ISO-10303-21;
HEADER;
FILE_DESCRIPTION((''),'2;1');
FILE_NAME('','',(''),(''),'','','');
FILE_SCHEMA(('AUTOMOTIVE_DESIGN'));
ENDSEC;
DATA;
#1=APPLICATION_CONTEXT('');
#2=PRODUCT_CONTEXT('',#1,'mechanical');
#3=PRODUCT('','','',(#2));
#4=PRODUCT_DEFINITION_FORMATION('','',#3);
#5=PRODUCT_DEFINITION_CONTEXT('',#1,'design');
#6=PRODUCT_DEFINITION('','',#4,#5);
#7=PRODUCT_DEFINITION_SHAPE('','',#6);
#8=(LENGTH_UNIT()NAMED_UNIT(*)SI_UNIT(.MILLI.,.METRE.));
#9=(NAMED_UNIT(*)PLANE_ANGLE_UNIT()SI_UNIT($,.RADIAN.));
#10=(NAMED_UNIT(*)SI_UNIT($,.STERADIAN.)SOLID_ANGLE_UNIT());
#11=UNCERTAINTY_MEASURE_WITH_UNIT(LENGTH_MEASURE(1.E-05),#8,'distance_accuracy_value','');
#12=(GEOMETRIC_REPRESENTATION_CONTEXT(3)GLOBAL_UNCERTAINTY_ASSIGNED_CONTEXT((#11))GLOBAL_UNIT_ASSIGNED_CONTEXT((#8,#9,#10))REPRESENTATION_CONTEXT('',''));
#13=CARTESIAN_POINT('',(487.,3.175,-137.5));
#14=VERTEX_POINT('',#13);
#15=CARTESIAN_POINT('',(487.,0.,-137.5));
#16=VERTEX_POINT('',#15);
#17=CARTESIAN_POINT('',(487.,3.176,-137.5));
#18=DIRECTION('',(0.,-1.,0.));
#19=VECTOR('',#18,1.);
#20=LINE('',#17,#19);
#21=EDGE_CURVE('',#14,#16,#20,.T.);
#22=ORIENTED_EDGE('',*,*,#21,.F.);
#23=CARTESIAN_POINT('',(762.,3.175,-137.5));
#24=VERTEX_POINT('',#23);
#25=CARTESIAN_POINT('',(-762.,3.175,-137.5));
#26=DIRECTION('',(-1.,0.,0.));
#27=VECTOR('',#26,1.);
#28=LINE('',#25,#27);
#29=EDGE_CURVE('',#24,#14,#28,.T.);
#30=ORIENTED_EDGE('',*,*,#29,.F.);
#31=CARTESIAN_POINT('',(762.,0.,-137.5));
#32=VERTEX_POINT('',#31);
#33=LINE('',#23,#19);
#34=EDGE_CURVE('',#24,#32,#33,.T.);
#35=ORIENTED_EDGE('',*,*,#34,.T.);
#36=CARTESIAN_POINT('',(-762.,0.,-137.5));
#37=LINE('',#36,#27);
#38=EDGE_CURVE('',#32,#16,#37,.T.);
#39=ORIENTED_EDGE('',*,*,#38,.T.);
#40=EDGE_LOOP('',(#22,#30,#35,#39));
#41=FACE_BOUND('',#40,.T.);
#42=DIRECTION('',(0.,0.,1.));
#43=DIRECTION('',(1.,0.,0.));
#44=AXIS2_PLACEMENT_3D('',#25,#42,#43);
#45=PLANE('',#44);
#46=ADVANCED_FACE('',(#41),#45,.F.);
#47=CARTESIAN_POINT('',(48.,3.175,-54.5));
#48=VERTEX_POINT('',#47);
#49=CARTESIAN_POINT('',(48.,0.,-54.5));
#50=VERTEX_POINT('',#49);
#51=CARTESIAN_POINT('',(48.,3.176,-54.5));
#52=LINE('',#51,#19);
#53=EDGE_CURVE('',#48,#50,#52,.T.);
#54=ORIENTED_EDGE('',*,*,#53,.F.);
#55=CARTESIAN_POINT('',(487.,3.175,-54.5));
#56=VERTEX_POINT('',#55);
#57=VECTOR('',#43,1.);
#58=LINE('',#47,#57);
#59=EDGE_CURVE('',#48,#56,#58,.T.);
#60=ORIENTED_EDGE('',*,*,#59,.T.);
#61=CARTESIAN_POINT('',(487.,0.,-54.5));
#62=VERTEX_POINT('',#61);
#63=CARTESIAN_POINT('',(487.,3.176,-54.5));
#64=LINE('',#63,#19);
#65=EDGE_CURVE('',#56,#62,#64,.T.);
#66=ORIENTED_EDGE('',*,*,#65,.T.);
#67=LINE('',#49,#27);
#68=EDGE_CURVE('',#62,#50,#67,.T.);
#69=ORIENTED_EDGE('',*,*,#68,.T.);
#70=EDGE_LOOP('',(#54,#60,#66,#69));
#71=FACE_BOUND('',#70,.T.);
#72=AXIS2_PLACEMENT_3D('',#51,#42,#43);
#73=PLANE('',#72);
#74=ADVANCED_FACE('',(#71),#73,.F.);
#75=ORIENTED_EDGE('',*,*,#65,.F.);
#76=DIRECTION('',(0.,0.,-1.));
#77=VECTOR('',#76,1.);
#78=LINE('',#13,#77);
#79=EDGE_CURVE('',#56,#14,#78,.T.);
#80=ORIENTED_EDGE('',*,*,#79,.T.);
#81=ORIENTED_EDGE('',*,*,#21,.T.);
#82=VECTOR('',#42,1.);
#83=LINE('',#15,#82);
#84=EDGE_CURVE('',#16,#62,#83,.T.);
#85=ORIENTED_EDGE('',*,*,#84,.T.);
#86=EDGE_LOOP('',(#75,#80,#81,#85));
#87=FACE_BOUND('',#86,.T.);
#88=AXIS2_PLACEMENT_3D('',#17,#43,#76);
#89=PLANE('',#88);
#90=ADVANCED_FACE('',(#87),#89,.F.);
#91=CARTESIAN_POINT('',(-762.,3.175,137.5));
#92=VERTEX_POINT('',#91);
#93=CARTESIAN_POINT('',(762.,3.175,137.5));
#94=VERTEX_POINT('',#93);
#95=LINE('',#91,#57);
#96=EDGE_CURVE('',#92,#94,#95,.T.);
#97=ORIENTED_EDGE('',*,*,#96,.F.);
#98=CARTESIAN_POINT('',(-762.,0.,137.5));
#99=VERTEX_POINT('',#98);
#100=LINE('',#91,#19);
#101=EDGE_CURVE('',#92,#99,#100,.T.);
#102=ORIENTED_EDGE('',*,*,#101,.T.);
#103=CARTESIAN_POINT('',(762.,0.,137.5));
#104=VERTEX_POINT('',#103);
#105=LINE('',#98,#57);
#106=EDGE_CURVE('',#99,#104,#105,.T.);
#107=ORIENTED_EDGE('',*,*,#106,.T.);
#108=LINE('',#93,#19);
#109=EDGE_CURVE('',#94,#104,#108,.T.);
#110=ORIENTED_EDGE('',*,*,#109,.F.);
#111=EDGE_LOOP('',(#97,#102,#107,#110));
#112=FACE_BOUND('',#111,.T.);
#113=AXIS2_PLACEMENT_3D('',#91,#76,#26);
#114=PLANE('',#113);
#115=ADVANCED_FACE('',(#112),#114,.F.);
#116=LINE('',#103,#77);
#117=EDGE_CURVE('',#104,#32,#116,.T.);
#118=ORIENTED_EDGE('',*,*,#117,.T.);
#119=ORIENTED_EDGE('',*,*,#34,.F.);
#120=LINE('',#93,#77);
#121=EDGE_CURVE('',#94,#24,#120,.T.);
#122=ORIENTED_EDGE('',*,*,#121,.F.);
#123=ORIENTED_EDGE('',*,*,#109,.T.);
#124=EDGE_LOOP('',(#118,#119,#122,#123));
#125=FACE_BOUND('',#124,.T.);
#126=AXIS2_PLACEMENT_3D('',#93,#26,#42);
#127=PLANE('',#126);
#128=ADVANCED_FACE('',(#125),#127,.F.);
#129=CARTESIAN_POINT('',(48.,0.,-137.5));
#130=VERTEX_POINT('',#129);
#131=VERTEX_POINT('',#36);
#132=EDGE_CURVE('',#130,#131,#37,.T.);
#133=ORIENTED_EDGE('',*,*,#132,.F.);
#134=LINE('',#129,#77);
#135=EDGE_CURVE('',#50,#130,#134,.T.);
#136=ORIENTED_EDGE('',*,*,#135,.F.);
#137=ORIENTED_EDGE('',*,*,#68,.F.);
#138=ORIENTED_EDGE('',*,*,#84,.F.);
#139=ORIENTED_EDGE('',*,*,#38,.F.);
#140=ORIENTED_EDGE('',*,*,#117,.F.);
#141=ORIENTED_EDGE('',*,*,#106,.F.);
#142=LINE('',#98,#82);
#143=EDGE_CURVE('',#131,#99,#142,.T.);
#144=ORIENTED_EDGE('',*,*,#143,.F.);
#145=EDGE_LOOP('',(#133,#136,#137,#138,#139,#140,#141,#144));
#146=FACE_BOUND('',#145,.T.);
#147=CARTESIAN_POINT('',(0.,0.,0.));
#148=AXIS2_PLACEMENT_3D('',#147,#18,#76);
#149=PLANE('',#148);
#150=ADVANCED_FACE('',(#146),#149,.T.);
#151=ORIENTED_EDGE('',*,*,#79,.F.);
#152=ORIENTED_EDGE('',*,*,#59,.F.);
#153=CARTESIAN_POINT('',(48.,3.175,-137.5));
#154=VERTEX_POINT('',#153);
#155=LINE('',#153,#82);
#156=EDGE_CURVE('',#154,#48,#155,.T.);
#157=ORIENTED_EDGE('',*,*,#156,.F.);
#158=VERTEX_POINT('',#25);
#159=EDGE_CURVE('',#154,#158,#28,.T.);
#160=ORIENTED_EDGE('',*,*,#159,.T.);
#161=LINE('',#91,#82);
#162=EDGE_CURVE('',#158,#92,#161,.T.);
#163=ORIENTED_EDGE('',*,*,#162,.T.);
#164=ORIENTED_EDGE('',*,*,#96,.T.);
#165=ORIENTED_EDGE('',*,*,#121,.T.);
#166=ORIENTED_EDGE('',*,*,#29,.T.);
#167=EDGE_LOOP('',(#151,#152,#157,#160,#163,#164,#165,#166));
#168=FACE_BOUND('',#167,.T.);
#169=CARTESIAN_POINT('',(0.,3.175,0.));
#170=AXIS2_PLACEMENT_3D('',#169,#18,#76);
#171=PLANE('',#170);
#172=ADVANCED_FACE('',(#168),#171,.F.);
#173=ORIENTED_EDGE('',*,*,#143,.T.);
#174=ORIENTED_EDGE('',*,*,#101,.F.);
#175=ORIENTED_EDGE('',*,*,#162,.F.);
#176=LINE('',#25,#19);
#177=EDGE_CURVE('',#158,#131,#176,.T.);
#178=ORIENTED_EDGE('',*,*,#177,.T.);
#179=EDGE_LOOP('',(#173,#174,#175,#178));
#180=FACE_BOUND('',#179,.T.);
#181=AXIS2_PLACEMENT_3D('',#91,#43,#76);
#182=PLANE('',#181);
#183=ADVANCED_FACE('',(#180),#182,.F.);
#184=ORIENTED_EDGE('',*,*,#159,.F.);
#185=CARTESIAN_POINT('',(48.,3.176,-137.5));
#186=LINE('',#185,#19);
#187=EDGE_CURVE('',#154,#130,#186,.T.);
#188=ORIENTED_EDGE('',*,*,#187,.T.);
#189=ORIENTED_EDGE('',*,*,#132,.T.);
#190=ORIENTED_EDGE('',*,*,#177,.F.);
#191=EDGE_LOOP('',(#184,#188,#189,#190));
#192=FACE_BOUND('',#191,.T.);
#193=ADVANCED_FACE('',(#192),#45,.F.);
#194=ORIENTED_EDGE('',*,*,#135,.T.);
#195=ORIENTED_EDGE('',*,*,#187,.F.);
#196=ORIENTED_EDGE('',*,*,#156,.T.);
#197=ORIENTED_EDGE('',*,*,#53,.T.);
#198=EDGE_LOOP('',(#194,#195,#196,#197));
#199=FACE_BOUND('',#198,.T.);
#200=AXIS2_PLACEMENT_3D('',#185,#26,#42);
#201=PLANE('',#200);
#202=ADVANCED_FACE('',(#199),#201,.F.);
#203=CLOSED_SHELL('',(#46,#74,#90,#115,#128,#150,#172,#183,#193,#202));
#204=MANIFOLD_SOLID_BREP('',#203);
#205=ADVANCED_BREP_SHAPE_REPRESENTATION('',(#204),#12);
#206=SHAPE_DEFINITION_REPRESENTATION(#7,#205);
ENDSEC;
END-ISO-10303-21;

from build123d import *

# Parameters (mm, degrees)
SKETCH1_W           = 1524
SKETCH1_H           = 275
BOSS_EXTRUDE1_DEPTH = 3.175
CUT_EXTRUDE1_REACH  = 776.313
SKETCH2_W           = 439
SKETCH2_H           = 83


with BuildPart() as part:
    # Sketch1 → Boss-Extrude1 (new body)
    with BuildSketch(Plane(origin=(0, 0, 0), x_dir=(1, 0, 0), z_dir=(0, 1, 0))):
        Rectangle(SKETCH1_W, SKETCH1_H)
    extrude(amount=BOSS_EXTRUDE1_DEPTH)

    # Sketch2 → Cut-Extrude1 (cut, up to next)
    with BuildSketch(Plane.XZ, mode=Mode.PRIVATE) as cut_extrude1_sk1:
        with Locations((267.5, -96)):
            Rectangle(SKETCH2_W, SKETCH2_H)
    cut_extrude1_tool1 = extrude(cut_extrude1_sk1.sketch, amount=-CUT_EXTRUDE1_REACH, mode=Mode.PRIVATE) & part.part
    add(cut_extrude1_tool1.solids().sort_by_distance((267.5, 0, -96))[0], mode=Mode.SUBTRACT)


solid = part.part
